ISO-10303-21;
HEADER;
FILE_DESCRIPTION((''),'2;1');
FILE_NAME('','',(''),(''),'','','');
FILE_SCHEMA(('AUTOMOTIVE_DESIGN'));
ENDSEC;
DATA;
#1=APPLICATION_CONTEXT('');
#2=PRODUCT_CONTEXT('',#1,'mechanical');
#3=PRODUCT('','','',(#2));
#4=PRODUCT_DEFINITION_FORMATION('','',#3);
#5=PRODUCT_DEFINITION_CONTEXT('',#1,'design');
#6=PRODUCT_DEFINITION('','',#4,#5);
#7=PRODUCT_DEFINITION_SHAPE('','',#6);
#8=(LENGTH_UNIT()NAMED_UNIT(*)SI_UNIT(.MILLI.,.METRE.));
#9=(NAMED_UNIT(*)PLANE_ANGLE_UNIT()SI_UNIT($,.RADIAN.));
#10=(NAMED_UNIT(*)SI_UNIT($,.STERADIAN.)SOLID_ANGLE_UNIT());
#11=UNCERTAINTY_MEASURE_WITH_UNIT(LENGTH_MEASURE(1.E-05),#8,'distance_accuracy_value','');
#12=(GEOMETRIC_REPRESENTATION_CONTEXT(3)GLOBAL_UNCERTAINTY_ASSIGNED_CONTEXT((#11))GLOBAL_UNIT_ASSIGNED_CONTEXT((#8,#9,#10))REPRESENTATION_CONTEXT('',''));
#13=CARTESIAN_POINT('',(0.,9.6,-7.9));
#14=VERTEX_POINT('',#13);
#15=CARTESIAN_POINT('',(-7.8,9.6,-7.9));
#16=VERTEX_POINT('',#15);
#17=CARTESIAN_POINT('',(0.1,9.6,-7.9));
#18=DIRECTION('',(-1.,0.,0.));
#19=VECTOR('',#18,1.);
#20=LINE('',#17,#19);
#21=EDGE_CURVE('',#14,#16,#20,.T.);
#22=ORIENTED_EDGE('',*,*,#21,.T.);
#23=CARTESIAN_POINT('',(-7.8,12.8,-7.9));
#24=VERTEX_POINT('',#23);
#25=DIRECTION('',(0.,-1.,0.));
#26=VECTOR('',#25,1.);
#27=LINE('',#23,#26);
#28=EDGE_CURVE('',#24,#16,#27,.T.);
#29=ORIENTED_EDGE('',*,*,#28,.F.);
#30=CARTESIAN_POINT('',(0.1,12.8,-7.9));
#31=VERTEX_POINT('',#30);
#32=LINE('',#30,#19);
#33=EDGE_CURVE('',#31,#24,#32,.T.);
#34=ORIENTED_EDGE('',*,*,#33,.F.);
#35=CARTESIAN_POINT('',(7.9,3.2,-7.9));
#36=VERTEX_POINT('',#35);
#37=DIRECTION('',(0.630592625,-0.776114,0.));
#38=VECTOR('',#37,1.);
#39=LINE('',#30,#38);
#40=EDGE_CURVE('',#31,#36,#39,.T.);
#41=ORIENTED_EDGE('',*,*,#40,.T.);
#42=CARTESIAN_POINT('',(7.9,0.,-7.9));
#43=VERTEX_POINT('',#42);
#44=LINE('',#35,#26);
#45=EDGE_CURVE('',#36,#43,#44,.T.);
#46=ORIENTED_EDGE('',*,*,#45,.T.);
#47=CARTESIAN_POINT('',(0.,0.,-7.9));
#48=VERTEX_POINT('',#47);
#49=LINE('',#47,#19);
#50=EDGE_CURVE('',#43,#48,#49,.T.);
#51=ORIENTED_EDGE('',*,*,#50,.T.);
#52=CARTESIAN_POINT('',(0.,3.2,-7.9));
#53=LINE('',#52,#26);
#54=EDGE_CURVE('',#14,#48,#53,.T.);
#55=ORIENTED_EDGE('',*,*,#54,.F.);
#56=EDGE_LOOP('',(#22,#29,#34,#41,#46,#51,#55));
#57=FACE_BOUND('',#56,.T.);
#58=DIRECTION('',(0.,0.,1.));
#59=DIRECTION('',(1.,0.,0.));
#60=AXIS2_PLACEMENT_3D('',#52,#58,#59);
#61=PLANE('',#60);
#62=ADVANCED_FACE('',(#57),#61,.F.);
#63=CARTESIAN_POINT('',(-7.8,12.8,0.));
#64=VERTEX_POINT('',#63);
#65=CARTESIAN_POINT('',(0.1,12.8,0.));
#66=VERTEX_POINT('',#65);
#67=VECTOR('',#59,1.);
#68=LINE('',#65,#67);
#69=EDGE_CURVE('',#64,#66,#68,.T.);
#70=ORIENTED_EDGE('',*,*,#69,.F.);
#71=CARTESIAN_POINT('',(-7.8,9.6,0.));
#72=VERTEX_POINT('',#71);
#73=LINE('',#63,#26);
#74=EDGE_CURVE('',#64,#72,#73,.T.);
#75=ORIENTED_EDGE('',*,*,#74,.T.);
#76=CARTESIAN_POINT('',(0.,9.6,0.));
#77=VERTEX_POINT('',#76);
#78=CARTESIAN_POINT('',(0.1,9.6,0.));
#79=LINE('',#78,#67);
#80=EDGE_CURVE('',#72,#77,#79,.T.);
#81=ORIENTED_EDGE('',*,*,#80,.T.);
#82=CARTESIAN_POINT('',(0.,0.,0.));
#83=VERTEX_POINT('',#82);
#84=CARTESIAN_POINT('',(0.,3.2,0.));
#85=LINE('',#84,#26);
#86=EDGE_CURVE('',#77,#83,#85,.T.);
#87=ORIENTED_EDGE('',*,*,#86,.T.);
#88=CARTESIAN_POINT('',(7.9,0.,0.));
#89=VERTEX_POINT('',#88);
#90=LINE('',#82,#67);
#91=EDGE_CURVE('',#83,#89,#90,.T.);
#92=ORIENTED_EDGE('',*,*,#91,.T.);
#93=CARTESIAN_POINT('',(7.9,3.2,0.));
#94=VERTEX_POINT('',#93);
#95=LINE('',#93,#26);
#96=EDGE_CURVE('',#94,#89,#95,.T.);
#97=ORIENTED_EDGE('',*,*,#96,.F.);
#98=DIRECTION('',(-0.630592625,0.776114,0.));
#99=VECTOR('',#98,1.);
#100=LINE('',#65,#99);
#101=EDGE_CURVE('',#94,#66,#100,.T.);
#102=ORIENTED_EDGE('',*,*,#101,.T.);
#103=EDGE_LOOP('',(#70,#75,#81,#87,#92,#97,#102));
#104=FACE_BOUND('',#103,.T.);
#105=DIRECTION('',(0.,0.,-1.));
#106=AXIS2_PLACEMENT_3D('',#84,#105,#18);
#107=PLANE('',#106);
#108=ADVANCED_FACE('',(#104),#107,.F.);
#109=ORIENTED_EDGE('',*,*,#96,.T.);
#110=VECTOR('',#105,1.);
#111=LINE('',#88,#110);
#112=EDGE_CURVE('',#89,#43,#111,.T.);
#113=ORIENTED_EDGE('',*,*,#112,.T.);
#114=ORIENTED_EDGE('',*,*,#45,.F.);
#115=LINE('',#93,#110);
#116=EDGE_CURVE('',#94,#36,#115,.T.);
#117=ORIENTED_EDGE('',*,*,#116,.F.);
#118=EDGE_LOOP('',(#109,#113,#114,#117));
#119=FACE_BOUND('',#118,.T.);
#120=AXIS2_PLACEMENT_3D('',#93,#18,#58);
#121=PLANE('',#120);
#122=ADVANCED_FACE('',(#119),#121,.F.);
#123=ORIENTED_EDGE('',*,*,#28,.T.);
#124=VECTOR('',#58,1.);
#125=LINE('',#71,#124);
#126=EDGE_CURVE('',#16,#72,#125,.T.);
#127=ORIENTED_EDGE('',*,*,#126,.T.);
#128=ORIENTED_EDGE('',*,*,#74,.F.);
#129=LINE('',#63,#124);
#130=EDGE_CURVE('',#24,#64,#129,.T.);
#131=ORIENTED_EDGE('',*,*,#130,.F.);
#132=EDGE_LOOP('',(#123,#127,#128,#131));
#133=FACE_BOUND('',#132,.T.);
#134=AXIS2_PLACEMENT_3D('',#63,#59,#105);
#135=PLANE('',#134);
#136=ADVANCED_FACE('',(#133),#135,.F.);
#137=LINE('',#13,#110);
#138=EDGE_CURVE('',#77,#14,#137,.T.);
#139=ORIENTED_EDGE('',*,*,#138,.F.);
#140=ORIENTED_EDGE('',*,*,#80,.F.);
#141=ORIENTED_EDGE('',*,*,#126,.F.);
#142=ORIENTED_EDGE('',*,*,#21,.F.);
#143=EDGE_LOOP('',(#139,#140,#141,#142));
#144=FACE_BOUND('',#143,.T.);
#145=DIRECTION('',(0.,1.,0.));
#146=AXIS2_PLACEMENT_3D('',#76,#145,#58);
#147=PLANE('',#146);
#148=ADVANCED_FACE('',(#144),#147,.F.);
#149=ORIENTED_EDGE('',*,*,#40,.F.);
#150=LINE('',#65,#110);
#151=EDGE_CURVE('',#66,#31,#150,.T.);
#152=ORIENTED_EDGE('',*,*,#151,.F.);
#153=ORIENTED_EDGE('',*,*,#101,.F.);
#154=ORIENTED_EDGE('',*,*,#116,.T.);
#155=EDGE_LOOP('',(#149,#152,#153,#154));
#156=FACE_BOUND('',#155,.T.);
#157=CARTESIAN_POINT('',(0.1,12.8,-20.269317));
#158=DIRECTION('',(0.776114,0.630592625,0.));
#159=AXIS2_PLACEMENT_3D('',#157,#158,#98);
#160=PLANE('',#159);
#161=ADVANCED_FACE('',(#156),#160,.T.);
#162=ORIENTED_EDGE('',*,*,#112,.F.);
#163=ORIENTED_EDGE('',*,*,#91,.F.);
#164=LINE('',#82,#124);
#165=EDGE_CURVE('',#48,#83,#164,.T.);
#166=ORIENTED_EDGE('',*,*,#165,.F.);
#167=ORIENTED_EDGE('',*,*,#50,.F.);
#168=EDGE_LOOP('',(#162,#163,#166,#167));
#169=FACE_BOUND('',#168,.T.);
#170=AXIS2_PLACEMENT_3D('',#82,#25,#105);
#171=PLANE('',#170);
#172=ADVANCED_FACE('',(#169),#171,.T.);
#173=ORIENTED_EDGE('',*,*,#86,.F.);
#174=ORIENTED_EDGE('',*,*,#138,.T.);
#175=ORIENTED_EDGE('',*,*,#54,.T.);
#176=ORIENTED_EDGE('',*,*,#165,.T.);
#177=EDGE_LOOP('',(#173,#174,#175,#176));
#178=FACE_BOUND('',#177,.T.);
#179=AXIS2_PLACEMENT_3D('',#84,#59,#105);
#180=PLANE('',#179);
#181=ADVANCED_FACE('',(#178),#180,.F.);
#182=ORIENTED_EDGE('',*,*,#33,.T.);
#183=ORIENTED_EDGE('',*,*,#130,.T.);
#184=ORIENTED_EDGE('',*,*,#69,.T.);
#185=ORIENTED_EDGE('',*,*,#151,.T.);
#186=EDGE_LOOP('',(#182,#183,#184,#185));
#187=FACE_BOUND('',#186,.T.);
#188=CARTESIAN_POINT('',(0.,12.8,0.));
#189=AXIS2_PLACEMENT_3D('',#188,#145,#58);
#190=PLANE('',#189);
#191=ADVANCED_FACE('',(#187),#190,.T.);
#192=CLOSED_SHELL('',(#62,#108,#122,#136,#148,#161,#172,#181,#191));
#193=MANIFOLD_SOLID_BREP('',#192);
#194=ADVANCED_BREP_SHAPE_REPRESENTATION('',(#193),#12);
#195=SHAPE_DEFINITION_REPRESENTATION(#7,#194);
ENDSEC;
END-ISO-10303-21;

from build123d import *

# Parameters (mm, degrees)
SKETCH1_W           = 7.9
SKETCH1_H           = 7.9
BOSS_EXTRUDE1_DEPTH = 3.2
SKETCH2_W           = 7.9
SKETCH2_H           = 9.6
BOSS_EXTRUDE2_DEPTH = 0.1
SKETCH3_W           = 7.9
SKETCH3_H           = 7.9
BOSS_EXTRUDE3_DEPTH = 3.2
BOSS_EXTRUDE4_DEPTH = 7.9


with BuildPart() as part:
    # Sketch1 → Boss-Extrude1 (new body)
    with BuildSketch(Plane(origin=(0, 0, 0), x_dir=(1, 0, 0), z_dir=(0, 1, 0))):
        with Locations((3.95, 3.95)):
            Rectangle(SKETCH1_W, SKETCH1_H)
    extrude(amount=BOSS_EXTRUDE1_DEPTH)

    # Sketch2 → Boss-Extrude2 (add)
    with BuildSketch(Plane.ZY):
        with Locations((-3.95, 4.8)):
            Rectangle(SKETCH2_W, SKETCH2_H)
    extrude(amount=-BOSS_EXTRUDE2_DEPTH)

    # Sketch3 → Boss-Extrude3 (add)
    with BuildSketch(Plane(origin=(0, 9.6, 0), x_dir=(1, 0, 0), z_dir=(0, 1, 0))):
        with Locations((-3.85, 3.95)):
            Rectangle(SKETCH3_W, SKETCH3_H)
    extrude(amount=BOSS_EXTRUDE3_DEPTH)

    # Sketch4 → Boss-Extrude4 (add)
    with BuildSketch(Plane.XY):
        Polygon((0.1, 12.8), (7.9, 3.2), (0.1, 3.2), align=None)
    extrude(amount=-BOSS_EXTRUDE4_DEPTH)


solid = part.part
